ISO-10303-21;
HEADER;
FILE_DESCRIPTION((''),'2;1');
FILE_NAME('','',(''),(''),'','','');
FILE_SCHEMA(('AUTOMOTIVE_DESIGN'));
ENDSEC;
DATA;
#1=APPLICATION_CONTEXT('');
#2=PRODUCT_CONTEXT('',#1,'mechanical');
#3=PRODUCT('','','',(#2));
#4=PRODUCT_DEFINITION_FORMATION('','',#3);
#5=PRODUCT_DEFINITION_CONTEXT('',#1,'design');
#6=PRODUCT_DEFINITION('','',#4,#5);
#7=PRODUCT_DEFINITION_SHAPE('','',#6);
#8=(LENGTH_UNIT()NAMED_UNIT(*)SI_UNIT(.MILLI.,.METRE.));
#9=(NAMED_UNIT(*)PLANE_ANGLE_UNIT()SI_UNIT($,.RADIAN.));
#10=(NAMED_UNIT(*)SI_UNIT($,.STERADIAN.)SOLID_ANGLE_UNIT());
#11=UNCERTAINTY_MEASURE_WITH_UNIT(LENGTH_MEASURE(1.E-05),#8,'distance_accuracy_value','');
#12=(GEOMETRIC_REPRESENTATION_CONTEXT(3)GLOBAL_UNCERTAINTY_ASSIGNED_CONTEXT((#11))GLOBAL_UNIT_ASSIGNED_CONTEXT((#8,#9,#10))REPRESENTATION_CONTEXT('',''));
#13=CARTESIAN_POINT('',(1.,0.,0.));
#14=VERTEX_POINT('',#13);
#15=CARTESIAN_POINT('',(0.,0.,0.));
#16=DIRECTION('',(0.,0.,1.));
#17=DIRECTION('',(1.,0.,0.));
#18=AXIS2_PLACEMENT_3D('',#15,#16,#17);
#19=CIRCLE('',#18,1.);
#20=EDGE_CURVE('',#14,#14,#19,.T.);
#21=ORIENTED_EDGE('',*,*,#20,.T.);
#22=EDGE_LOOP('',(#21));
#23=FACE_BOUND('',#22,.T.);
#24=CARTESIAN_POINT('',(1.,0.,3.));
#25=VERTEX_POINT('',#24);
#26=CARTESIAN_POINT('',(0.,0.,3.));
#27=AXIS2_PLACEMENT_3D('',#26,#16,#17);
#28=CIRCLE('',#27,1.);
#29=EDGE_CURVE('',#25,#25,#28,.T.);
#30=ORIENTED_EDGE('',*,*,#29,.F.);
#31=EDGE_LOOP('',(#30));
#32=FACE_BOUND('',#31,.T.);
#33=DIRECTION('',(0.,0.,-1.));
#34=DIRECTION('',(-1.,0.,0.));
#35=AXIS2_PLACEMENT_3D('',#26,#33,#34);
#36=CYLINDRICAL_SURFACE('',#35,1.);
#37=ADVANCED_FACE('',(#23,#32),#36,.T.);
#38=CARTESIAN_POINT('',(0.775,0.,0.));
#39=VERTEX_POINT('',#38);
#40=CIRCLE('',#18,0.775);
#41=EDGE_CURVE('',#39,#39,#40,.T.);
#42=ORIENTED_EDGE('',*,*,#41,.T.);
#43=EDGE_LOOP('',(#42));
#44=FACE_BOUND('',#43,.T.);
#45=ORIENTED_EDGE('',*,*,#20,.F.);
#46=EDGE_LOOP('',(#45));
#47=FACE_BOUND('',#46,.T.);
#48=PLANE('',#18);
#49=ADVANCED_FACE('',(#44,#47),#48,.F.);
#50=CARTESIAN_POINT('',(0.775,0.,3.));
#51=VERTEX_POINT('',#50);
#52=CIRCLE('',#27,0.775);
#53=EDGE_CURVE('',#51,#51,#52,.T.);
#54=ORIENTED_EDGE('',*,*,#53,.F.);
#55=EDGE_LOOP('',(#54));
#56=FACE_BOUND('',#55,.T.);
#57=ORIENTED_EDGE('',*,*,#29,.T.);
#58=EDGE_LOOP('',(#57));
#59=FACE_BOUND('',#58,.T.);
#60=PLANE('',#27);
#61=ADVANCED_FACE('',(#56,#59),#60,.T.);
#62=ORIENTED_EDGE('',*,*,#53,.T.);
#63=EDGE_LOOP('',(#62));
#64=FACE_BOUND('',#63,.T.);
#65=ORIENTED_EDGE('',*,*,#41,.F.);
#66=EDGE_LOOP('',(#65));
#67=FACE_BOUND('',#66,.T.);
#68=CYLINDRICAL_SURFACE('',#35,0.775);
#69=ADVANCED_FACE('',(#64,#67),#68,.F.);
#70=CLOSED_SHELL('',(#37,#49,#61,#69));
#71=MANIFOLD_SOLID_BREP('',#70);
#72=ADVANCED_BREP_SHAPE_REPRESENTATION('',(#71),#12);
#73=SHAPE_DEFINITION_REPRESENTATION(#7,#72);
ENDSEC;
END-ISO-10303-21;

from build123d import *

# Parameters (mm, degrees)
SKETCH_1_R      = 1
SKETCH_1_R_2    = 0.775
EXTRUDE_1_DEPTH = 3


with BuildPart() as part:
    # Эскиз1 → Бобышка-Вытянуть1 (new body)
    with BuildSketch(Plane.XY):
        Circle(SKETCH_1_R)
        Circle(SKETCH_1_R_2, mode=Mode.SUBTRACT)
    extrude(amount=EXTRUDE_1_DEPTH)


solid = part.part
